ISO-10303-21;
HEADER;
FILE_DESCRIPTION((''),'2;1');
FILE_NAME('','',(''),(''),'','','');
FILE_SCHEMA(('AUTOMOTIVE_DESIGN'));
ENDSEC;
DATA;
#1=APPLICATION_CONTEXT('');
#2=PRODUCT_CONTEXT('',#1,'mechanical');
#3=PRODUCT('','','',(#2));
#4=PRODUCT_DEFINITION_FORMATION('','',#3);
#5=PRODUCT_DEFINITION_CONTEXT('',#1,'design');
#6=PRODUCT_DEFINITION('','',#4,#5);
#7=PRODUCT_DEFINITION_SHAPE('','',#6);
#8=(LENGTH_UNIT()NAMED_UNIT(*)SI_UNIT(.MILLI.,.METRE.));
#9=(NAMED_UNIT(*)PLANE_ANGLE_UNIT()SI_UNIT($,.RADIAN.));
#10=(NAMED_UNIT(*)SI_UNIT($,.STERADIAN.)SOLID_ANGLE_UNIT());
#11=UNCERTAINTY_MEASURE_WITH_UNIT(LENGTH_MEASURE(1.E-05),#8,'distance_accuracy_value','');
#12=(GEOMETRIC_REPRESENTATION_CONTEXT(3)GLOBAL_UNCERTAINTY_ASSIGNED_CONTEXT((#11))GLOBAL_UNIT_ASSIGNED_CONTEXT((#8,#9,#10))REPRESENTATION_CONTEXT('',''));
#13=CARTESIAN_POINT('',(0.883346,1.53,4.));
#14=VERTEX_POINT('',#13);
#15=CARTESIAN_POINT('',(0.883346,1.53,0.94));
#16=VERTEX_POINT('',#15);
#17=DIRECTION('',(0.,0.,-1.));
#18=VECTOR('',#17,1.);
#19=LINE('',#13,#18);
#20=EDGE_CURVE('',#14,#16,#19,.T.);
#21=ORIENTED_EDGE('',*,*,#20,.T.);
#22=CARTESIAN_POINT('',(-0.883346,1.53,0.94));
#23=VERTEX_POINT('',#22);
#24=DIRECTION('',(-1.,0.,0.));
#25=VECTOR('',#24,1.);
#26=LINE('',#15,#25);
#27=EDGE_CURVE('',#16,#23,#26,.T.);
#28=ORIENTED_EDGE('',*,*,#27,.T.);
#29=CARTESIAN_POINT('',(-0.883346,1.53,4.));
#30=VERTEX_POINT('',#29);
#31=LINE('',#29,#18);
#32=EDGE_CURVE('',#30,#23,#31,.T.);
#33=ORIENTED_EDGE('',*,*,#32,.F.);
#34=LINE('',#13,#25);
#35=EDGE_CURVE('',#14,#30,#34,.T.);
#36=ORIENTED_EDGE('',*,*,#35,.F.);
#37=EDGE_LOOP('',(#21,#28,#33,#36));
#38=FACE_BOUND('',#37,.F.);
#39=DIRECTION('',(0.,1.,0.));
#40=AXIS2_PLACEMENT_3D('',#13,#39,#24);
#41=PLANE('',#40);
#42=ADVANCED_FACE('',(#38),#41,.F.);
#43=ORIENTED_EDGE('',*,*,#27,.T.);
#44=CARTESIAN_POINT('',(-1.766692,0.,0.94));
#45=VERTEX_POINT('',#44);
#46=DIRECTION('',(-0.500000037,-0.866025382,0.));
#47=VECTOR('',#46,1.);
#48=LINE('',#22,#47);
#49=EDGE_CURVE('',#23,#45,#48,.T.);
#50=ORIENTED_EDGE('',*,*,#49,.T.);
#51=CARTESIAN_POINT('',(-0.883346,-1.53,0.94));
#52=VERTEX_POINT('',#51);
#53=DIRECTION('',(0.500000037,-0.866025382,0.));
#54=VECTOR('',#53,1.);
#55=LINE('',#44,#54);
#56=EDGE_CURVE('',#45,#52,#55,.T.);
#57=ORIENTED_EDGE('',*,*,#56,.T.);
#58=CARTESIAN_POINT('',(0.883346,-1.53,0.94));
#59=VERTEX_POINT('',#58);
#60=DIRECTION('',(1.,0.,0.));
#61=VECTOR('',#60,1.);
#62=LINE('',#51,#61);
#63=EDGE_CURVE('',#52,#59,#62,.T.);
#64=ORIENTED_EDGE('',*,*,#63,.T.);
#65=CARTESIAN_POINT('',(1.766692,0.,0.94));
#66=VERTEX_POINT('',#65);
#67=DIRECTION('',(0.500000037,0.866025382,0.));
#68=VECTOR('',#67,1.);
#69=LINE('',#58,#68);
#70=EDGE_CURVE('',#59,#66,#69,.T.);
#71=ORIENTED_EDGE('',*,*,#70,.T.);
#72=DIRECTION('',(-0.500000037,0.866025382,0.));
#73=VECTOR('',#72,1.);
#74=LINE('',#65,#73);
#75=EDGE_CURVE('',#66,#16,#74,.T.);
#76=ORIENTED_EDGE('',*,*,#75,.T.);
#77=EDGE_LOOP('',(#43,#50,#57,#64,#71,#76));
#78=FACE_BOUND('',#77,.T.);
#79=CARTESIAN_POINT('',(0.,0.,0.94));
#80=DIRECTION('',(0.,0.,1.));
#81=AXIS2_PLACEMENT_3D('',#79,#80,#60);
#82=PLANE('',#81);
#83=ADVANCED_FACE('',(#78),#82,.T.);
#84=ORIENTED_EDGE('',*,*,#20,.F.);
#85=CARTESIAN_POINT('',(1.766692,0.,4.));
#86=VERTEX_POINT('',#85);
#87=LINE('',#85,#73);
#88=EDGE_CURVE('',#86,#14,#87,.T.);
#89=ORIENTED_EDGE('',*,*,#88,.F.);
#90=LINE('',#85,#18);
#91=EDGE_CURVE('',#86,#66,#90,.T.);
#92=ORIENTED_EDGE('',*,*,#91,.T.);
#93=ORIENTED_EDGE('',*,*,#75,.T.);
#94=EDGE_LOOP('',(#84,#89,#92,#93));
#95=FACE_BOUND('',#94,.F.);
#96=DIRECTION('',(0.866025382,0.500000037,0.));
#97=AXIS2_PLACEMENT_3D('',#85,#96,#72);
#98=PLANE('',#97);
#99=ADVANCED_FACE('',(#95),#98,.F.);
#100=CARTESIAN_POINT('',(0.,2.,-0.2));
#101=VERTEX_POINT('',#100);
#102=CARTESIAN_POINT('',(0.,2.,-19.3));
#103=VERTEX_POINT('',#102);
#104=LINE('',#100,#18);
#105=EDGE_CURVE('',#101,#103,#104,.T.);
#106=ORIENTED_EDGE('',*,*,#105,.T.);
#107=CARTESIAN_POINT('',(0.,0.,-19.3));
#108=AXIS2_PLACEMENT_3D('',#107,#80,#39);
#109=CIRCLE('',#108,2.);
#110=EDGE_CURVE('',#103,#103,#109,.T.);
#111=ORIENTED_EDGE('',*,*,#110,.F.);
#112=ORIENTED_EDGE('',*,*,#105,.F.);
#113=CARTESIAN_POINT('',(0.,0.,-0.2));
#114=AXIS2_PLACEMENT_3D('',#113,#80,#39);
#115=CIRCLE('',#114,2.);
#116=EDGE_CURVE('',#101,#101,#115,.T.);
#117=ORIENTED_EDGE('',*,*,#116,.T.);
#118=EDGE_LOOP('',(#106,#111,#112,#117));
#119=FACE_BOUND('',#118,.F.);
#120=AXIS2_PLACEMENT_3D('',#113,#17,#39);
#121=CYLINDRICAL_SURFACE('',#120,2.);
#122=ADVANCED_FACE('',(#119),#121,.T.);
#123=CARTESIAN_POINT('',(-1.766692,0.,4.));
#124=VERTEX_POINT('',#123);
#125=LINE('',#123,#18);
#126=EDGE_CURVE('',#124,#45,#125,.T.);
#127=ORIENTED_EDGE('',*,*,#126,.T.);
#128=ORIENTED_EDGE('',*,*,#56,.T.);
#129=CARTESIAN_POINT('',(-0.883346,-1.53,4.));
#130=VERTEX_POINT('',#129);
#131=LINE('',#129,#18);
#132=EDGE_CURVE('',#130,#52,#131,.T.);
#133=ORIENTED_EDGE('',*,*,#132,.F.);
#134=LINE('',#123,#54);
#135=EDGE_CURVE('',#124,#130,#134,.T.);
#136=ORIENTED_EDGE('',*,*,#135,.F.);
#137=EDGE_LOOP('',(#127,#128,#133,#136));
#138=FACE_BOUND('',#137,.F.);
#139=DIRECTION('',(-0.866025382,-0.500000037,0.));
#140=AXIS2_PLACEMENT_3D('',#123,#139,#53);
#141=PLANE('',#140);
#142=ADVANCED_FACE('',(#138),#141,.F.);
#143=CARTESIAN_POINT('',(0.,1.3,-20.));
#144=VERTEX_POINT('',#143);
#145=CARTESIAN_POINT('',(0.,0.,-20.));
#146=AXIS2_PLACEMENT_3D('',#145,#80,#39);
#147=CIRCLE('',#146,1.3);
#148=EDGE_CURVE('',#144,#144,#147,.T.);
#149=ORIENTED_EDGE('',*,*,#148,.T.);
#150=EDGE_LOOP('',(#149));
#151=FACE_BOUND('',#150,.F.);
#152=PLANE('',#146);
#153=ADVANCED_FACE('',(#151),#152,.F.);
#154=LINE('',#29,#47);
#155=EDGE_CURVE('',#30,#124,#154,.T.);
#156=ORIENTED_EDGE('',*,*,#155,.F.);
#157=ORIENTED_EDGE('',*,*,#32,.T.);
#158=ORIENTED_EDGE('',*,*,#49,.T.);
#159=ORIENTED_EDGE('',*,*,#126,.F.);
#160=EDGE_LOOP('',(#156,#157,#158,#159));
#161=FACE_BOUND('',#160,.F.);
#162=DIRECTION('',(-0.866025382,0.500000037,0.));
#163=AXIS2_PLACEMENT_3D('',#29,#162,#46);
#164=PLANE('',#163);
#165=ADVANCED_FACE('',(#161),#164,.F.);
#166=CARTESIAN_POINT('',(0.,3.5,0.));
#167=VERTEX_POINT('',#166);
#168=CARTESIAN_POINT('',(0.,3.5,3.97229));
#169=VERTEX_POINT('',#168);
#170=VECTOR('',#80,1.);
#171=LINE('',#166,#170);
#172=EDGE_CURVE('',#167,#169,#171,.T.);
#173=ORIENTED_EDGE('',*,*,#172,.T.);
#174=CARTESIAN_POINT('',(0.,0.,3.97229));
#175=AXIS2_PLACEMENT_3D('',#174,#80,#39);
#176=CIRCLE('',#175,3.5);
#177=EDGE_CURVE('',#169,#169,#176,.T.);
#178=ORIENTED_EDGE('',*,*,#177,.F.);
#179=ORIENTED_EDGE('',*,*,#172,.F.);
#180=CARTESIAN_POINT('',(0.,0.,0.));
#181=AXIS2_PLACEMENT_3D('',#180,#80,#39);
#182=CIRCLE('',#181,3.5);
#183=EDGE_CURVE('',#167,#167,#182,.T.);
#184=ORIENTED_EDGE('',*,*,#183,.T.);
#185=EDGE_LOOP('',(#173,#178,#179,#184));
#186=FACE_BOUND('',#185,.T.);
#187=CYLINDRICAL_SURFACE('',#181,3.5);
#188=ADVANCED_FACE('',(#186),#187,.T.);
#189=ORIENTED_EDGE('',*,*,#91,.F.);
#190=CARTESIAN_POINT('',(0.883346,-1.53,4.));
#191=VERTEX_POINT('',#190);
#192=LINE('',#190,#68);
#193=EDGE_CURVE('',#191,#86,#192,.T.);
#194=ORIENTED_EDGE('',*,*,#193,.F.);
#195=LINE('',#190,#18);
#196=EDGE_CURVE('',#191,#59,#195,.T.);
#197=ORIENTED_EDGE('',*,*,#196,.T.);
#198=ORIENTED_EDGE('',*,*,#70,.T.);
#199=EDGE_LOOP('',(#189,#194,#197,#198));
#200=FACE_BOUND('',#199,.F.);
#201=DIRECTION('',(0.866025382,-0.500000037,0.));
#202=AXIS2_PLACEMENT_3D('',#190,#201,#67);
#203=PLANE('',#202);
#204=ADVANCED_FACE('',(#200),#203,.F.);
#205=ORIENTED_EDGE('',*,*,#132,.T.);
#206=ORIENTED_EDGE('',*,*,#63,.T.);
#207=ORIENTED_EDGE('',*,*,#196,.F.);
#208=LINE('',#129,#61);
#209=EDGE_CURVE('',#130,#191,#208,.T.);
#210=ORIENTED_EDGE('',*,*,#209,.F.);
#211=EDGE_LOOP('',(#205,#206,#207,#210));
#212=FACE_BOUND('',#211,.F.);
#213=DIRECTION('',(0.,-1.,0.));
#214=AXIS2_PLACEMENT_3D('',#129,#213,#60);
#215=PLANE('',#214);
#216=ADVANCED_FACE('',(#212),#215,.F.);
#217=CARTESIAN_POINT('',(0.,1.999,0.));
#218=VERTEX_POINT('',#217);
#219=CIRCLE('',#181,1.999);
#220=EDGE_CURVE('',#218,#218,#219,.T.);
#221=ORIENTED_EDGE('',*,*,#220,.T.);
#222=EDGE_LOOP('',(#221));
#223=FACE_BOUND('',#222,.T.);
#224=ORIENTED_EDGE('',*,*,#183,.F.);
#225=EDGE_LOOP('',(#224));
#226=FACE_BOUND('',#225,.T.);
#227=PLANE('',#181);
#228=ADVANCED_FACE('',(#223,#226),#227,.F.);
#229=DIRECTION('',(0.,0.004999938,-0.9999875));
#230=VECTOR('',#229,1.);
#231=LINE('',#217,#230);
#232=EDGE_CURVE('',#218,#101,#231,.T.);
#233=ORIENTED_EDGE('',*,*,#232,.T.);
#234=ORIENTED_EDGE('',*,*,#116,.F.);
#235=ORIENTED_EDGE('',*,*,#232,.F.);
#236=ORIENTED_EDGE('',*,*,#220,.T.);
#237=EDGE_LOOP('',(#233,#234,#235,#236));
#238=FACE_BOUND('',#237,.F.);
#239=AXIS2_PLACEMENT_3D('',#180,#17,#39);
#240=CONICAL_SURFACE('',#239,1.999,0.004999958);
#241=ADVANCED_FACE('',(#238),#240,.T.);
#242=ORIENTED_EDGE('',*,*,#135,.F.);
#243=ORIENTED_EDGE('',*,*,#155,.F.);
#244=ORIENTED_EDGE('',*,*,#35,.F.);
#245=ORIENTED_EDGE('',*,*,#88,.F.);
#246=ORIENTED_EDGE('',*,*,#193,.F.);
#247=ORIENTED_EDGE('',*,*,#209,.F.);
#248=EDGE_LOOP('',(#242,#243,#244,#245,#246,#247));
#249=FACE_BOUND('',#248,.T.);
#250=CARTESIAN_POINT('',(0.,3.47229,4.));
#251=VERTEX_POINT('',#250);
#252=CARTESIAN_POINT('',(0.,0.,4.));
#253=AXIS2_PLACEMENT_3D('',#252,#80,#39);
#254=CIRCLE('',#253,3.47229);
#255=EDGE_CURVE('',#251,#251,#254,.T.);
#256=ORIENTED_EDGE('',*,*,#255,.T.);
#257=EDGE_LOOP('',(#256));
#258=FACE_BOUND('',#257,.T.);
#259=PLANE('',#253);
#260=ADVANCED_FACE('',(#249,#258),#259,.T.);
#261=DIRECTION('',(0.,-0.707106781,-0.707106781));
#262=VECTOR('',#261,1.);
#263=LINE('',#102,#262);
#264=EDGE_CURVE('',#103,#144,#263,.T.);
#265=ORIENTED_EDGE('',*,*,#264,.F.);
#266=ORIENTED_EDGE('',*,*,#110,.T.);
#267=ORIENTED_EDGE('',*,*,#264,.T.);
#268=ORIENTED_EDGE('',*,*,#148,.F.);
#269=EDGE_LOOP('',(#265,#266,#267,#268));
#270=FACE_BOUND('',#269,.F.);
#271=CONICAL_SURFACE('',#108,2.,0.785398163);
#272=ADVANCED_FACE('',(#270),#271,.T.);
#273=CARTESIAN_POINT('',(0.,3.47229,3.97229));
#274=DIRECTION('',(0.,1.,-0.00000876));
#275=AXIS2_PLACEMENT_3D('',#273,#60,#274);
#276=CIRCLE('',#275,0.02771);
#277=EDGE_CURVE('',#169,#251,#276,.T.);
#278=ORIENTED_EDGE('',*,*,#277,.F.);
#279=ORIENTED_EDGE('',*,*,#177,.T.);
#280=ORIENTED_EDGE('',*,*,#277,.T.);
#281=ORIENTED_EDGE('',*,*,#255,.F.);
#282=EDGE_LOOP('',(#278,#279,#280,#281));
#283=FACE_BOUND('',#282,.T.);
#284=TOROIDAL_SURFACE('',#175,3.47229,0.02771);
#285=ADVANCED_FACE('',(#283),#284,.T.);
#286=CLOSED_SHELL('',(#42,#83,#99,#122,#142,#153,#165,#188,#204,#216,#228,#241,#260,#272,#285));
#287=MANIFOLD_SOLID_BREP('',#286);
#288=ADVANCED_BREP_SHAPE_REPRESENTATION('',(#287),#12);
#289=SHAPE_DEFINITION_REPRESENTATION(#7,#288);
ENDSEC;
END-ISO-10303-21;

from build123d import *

# Parameters (mm, degrees)
POCKET_DEPTH = 3.06


with BuildPart() as part:
    # Sketch → Revolve (revolve)
    with BuildSketch(Plane.YZ):
        with BuildLine():
            Line((1.999, 0), (3.5, 0))
            Line((3.5, 0), (3.5, 3.97229))
            ThreePointArc((3.5, 3.97229), (3.491884, 3.991884), (3.47229, 4))
            Line((3.47229, 4), (0, 4))
            Line((0, -20), (0, 4))
            Line((1.3, -20), (0, -20))
            Line((2, -19.3), (1.3, -20))
            Line((2, -0.2), (2, -19.3))
            Line((1.999, 0), (2, -0.2))
        make_face()
    revolve(axis=Axis((0, 0, 0), (0, 0, 1)))

    # Sketch001 → Pocket (cut)
    with BuildSketch(Plane.XY.offset(4)):
        Polygon((1.766692, 0), (0.883346, 1.53), (-0.883346, 1.53), (-1.766692, 0), (-0.883346, -1.53), (0.883346, -1.53), align=None)
    extrude(amount=-POCKET_DEPTH, mode=Mode.SUBTRACT)


solid = part.part
